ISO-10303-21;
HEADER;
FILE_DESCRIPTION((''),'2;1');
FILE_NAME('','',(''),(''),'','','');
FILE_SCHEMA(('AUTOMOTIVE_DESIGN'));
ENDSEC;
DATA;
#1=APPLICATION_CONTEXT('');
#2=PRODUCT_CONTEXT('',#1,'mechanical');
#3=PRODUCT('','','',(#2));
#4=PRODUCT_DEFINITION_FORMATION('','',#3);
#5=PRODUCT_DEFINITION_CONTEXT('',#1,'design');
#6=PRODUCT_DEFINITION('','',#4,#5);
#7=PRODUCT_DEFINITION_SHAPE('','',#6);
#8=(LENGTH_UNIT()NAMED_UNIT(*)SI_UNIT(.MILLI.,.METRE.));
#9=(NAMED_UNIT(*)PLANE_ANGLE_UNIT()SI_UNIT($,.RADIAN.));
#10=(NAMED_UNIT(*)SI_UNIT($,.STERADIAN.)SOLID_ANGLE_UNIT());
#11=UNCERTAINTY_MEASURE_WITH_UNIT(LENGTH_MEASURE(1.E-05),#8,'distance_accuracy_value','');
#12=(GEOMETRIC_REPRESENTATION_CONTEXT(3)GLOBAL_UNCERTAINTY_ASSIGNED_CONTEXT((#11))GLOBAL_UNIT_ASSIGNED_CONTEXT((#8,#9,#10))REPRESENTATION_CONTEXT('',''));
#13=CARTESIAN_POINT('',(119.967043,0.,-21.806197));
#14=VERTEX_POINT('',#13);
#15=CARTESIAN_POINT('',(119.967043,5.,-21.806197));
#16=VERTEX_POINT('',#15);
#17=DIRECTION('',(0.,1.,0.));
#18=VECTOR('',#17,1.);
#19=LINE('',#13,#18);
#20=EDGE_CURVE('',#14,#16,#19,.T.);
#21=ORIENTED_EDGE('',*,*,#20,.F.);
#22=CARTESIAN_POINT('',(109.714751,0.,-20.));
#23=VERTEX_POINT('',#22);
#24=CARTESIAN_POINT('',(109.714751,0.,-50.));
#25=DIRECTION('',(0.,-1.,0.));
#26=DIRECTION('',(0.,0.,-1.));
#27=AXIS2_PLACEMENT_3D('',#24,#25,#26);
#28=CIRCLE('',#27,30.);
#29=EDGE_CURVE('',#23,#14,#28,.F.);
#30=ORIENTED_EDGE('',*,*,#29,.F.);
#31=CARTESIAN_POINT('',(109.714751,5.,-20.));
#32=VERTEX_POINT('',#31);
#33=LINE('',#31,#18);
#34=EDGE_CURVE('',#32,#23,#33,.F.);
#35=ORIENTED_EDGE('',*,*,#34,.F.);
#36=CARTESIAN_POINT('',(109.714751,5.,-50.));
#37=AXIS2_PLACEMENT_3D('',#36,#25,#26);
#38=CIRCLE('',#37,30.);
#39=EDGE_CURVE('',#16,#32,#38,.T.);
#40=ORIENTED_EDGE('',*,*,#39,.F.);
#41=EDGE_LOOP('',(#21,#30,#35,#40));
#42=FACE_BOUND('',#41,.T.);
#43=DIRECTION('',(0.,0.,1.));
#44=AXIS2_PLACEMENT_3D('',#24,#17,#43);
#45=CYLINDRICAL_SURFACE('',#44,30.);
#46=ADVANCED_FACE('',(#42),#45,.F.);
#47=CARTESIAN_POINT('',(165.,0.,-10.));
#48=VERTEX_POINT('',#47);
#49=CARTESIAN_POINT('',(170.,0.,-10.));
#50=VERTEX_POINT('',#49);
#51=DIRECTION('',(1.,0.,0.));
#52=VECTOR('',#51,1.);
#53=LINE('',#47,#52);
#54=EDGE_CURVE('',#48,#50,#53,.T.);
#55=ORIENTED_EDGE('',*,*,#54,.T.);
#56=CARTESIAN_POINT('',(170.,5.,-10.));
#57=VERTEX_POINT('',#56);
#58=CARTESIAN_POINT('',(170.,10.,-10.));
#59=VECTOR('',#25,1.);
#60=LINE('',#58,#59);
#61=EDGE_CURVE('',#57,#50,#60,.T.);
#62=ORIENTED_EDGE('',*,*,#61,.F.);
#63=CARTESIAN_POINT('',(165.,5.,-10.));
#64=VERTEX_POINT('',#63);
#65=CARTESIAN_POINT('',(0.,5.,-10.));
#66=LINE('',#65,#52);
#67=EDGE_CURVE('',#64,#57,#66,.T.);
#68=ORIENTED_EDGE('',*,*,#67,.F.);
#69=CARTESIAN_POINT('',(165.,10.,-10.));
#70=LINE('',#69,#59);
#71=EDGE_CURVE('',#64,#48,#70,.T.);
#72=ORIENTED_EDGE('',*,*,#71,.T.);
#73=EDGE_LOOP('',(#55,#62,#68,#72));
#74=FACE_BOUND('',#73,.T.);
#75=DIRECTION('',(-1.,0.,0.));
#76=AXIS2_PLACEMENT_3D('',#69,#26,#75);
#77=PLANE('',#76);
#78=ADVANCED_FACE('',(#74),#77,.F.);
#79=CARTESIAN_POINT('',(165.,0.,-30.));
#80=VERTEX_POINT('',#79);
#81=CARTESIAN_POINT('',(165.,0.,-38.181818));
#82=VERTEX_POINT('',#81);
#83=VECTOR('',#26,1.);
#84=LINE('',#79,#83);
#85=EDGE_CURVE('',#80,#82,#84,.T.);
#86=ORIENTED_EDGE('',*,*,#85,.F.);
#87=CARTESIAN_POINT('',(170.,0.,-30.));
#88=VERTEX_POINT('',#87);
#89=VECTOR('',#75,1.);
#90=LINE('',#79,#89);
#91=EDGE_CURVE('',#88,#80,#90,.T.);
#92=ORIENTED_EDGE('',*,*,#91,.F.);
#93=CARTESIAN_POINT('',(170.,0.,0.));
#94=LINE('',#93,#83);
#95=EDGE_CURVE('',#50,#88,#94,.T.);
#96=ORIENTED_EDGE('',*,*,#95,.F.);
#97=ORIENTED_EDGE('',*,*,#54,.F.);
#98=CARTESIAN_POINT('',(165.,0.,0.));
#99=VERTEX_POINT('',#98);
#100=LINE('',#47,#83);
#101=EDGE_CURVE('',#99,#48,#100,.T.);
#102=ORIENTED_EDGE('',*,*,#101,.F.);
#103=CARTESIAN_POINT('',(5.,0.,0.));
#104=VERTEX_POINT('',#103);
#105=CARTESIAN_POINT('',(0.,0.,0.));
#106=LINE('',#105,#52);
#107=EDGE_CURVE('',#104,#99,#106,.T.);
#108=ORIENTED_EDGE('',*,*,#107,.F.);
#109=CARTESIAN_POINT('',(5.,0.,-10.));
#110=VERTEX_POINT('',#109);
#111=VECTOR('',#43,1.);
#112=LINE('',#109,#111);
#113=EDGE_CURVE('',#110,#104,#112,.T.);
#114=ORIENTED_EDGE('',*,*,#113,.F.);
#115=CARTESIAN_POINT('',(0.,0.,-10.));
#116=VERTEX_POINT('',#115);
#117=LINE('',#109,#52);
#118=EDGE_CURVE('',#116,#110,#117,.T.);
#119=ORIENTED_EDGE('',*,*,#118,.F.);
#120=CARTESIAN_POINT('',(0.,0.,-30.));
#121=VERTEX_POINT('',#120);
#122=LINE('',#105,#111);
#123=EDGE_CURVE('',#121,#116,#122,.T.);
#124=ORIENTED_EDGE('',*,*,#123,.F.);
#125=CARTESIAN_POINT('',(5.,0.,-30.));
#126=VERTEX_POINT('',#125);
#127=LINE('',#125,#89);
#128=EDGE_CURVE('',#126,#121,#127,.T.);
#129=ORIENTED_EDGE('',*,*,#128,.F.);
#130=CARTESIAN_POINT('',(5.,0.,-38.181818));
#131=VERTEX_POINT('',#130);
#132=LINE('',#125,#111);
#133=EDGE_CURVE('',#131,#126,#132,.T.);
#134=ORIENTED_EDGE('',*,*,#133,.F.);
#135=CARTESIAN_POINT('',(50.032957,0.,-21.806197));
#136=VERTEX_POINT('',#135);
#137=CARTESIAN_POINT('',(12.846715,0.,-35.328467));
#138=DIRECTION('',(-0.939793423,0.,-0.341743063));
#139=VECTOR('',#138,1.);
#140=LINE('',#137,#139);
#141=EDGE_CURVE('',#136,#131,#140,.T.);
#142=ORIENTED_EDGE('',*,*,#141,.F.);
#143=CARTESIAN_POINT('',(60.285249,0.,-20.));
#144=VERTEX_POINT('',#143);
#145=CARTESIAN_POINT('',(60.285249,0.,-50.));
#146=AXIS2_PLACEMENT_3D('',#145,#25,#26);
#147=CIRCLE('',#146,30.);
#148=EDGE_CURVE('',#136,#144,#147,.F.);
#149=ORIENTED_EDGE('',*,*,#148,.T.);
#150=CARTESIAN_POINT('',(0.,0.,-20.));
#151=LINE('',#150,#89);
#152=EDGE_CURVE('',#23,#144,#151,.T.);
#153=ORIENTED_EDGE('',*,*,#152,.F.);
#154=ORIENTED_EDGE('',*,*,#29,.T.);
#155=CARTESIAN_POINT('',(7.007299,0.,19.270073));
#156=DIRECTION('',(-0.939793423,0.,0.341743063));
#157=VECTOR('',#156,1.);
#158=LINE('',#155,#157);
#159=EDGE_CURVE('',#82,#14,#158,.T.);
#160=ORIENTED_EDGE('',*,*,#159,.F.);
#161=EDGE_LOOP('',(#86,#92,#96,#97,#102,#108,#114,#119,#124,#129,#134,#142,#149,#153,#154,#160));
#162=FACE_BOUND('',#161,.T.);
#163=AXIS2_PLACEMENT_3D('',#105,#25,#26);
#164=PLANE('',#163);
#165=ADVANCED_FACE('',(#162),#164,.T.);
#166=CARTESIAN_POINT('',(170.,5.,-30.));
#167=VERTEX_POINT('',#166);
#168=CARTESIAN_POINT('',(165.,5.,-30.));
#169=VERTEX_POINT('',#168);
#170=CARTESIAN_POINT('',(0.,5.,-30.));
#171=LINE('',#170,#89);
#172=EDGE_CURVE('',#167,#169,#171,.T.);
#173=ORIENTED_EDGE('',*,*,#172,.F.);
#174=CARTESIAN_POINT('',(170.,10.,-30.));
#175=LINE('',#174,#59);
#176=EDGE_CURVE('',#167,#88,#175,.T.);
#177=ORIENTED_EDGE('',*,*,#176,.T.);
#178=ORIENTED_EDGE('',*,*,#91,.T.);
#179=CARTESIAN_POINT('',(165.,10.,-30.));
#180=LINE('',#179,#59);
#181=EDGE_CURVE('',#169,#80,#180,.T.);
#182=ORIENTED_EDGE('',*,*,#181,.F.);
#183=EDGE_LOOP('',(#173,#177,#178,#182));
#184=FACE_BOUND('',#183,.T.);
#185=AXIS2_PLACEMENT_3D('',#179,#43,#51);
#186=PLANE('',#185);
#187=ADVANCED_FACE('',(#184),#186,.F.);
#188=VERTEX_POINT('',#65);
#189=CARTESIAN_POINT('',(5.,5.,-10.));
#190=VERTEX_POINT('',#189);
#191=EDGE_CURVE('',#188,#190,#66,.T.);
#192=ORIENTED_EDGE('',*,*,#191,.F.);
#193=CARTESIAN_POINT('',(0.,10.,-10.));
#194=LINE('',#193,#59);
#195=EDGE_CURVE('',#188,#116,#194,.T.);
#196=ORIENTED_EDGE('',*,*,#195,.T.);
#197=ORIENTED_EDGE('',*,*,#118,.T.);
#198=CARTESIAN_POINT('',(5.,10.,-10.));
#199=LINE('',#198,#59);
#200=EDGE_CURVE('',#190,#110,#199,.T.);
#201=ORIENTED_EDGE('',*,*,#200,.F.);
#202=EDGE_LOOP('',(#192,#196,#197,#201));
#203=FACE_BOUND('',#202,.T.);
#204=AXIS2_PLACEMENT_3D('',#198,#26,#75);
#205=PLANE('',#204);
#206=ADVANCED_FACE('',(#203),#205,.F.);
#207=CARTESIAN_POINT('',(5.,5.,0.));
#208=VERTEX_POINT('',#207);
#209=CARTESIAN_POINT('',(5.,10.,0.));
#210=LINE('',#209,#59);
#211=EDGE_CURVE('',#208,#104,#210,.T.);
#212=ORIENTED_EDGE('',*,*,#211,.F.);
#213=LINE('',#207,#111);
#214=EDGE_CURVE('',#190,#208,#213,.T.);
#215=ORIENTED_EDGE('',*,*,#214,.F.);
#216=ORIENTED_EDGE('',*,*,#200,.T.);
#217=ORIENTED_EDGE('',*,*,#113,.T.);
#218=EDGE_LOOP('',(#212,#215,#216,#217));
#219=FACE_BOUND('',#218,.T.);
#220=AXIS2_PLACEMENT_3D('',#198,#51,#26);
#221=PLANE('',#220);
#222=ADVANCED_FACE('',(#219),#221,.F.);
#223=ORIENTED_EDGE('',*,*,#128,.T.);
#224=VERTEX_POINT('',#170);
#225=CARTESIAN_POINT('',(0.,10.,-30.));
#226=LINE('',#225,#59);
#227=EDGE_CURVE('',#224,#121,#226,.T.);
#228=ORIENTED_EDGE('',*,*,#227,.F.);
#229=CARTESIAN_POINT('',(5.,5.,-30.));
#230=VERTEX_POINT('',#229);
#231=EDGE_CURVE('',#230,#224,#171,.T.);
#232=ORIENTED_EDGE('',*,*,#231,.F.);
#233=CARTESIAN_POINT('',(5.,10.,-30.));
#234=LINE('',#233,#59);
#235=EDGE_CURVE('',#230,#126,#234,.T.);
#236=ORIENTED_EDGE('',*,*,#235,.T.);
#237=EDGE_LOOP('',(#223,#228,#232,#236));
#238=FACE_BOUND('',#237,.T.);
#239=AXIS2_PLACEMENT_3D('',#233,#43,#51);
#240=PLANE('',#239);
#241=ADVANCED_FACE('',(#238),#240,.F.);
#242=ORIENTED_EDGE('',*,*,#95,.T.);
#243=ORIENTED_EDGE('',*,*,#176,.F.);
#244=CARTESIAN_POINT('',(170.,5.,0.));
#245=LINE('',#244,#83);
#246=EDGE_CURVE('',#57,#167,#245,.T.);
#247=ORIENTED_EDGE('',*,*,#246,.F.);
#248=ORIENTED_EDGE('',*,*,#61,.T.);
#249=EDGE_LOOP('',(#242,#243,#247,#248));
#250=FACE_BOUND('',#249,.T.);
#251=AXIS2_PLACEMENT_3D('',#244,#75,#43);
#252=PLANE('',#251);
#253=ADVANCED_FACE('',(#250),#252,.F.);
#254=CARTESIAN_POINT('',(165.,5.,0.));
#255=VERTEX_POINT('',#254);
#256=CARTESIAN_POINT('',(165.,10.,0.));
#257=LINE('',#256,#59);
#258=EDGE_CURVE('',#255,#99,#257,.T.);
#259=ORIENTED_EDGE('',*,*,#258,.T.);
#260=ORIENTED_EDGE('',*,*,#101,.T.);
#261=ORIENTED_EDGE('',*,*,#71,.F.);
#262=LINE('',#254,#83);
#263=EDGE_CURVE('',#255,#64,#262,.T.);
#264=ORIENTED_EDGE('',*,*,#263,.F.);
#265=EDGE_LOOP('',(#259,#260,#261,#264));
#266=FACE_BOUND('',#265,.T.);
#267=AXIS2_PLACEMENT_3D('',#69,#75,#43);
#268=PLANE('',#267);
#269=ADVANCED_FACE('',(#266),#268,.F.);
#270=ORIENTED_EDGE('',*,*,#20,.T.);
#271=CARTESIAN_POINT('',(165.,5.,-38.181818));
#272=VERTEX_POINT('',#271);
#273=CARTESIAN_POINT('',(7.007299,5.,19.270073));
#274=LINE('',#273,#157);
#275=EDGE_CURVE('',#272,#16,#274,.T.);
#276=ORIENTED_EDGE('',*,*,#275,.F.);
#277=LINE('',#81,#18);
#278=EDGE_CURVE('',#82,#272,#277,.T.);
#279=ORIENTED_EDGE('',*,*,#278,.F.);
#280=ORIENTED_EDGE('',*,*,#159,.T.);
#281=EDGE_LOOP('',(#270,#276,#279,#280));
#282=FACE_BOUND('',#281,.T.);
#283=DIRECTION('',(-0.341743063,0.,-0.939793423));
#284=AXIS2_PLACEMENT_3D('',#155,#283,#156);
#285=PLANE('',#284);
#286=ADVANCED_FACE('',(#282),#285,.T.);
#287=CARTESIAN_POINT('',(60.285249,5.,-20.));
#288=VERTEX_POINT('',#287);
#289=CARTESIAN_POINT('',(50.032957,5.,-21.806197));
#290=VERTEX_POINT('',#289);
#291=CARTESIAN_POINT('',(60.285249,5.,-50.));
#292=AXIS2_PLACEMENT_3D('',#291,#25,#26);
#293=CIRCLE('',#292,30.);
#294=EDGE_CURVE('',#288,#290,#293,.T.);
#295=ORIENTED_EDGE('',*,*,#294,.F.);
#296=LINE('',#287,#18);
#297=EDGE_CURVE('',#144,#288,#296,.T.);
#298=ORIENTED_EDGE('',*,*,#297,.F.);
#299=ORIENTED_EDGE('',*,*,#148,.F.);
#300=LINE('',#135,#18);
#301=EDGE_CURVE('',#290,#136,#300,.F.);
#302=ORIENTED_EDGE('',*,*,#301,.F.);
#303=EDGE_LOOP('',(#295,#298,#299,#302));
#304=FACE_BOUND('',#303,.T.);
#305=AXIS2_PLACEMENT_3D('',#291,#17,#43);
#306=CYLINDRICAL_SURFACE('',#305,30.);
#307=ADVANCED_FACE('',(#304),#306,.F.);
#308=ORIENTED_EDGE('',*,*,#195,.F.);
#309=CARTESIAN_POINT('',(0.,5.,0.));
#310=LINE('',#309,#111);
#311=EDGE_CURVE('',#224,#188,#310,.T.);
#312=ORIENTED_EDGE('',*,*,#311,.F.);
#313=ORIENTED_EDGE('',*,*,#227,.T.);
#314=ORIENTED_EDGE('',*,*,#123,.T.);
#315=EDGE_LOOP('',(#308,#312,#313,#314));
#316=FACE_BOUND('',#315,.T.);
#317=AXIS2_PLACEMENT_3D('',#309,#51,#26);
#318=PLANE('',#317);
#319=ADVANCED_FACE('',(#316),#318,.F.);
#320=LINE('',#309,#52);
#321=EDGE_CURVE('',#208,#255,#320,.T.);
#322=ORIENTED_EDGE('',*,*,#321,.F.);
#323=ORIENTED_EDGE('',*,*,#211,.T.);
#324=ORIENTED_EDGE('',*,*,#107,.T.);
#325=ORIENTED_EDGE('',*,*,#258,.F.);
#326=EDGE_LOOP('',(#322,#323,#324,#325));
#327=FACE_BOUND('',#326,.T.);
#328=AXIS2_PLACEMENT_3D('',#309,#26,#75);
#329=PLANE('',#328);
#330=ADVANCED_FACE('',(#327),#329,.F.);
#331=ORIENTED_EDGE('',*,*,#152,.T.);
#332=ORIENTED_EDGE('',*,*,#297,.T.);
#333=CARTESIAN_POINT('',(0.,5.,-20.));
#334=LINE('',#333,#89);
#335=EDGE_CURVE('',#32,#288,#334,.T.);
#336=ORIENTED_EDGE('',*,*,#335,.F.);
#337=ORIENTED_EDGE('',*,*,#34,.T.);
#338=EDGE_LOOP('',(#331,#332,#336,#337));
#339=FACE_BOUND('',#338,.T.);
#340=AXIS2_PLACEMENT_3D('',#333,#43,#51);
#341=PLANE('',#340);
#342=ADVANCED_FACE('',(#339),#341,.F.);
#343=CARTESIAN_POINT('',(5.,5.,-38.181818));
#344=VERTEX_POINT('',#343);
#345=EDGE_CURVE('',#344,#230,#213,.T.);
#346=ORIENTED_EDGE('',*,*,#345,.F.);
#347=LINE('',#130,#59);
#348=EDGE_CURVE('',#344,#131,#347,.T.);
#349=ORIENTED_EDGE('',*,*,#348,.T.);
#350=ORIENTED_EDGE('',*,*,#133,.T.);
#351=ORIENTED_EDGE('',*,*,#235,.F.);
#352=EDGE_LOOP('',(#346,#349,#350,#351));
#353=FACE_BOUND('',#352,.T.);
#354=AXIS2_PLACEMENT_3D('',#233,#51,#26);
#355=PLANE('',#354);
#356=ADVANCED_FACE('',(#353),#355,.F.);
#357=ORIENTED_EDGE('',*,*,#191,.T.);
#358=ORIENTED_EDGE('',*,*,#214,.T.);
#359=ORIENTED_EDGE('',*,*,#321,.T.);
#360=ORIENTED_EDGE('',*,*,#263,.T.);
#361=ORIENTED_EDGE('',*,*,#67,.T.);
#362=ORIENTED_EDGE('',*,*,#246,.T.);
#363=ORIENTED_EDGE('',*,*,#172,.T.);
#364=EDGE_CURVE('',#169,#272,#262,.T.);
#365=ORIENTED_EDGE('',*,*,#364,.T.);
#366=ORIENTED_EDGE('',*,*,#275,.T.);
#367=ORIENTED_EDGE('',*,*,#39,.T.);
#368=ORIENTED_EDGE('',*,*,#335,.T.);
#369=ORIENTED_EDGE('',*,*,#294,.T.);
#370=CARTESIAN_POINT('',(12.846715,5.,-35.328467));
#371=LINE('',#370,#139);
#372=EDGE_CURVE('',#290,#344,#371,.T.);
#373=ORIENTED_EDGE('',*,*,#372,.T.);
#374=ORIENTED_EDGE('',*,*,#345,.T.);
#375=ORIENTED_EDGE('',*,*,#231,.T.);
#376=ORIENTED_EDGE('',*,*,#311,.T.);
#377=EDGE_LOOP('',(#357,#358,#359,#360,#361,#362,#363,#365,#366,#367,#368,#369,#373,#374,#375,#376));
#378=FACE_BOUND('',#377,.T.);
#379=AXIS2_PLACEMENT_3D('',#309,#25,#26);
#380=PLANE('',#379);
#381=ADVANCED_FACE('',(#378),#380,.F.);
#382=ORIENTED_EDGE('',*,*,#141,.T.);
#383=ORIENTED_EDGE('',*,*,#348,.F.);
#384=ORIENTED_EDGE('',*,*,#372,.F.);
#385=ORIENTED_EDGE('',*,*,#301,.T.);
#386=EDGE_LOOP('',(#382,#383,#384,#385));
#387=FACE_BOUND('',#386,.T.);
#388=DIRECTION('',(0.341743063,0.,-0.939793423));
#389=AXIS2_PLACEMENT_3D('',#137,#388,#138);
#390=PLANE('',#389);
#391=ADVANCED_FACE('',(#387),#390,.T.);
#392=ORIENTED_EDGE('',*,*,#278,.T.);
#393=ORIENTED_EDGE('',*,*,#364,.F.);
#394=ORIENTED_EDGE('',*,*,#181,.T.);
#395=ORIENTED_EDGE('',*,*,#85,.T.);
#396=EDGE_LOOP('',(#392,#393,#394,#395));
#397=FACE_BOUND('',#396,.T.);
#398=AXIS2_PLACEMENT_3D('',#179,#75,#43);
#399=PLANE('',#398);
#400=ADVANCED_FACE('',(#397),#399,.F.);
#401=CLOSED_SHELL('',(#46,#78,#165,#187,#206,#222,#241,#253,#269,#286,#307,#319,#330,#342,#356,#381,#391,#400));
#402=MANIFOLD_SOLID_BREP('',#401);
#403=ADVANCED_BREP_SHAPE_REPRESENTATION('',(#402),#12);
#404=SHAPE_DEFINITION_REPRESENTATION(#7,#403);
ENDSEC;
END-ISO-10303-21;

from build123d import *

# Parameters (mm, degrees)
SKETCH_1_W          = 170
SKETCH_1_H          = 20
EXTRUDE_1_DEPTH     = 5
EXTRUDE_2_DEPTH     = 5
FILLET_1_R          = 30
SKETCH_3_W          = 5
SKETCH_3_H          = 10
CUT_EXTRUDE_1_DEPTH = 10


with BuildPart() as part:
    # 스케치1 → 보스-돌출1 (new body)
    with BuildSketch(Plane(origin=(0, 0, 0), x_dir=(1, 0, 0), z_dir=(0, 1, 0))):
        with Locations((85, 10)):
            Rectangle(SKETCH_1_W, SKETCH_1_H)
    extrude(amount=EXTRUDE_1_DEPTH)

    # 스케치2 → 보스-돌출2 (add)
    with BuildSketch(Plane(origin=(0, 5, 0), x_dir=(1, 0, 0), z_dir=(0, 1, 0))):
        Polygon((0, 20), (55, 20), (0, 40), align=None)
        Polygon((115, 20), (170, 20), (170, 40), align=None)
    extrude(amount=-EXTRUDE_2_DEPTH)

    # 필렛1
    fillet_1_edges = [part.edges().sort_by_distance(p)[0] for p in [
        (55, 2.5, -20),
        (115, 2.5, -20),
    ]]
    fillet(fillet_1_edges, radius=FILLET_1_R)

    # 스케치3 → 컷-돌출1 (cut)
    with BuildSketch(Plane.XZ):
        with Locations((167.5, -5)):
            Rectangle(SKETCH_3_W, SKETCH_3_H)
        with Locations((167.5, -35)):
            Rectangle(SKETCH_3_W, SKETCH_3_H)
        with Locations((2.5, -35)):
            Rectangle(SKETCH_3_W, SKETCH_3_H)
        with Locations((2.5, -5)):
            Rectangle(SKETCH_3_W, SKETCH_3_H)
    extrude(amount=-CUT_EXTRUDE_1_DEPTH, mode=Mode.SUBTRACT)


solid = part.part
